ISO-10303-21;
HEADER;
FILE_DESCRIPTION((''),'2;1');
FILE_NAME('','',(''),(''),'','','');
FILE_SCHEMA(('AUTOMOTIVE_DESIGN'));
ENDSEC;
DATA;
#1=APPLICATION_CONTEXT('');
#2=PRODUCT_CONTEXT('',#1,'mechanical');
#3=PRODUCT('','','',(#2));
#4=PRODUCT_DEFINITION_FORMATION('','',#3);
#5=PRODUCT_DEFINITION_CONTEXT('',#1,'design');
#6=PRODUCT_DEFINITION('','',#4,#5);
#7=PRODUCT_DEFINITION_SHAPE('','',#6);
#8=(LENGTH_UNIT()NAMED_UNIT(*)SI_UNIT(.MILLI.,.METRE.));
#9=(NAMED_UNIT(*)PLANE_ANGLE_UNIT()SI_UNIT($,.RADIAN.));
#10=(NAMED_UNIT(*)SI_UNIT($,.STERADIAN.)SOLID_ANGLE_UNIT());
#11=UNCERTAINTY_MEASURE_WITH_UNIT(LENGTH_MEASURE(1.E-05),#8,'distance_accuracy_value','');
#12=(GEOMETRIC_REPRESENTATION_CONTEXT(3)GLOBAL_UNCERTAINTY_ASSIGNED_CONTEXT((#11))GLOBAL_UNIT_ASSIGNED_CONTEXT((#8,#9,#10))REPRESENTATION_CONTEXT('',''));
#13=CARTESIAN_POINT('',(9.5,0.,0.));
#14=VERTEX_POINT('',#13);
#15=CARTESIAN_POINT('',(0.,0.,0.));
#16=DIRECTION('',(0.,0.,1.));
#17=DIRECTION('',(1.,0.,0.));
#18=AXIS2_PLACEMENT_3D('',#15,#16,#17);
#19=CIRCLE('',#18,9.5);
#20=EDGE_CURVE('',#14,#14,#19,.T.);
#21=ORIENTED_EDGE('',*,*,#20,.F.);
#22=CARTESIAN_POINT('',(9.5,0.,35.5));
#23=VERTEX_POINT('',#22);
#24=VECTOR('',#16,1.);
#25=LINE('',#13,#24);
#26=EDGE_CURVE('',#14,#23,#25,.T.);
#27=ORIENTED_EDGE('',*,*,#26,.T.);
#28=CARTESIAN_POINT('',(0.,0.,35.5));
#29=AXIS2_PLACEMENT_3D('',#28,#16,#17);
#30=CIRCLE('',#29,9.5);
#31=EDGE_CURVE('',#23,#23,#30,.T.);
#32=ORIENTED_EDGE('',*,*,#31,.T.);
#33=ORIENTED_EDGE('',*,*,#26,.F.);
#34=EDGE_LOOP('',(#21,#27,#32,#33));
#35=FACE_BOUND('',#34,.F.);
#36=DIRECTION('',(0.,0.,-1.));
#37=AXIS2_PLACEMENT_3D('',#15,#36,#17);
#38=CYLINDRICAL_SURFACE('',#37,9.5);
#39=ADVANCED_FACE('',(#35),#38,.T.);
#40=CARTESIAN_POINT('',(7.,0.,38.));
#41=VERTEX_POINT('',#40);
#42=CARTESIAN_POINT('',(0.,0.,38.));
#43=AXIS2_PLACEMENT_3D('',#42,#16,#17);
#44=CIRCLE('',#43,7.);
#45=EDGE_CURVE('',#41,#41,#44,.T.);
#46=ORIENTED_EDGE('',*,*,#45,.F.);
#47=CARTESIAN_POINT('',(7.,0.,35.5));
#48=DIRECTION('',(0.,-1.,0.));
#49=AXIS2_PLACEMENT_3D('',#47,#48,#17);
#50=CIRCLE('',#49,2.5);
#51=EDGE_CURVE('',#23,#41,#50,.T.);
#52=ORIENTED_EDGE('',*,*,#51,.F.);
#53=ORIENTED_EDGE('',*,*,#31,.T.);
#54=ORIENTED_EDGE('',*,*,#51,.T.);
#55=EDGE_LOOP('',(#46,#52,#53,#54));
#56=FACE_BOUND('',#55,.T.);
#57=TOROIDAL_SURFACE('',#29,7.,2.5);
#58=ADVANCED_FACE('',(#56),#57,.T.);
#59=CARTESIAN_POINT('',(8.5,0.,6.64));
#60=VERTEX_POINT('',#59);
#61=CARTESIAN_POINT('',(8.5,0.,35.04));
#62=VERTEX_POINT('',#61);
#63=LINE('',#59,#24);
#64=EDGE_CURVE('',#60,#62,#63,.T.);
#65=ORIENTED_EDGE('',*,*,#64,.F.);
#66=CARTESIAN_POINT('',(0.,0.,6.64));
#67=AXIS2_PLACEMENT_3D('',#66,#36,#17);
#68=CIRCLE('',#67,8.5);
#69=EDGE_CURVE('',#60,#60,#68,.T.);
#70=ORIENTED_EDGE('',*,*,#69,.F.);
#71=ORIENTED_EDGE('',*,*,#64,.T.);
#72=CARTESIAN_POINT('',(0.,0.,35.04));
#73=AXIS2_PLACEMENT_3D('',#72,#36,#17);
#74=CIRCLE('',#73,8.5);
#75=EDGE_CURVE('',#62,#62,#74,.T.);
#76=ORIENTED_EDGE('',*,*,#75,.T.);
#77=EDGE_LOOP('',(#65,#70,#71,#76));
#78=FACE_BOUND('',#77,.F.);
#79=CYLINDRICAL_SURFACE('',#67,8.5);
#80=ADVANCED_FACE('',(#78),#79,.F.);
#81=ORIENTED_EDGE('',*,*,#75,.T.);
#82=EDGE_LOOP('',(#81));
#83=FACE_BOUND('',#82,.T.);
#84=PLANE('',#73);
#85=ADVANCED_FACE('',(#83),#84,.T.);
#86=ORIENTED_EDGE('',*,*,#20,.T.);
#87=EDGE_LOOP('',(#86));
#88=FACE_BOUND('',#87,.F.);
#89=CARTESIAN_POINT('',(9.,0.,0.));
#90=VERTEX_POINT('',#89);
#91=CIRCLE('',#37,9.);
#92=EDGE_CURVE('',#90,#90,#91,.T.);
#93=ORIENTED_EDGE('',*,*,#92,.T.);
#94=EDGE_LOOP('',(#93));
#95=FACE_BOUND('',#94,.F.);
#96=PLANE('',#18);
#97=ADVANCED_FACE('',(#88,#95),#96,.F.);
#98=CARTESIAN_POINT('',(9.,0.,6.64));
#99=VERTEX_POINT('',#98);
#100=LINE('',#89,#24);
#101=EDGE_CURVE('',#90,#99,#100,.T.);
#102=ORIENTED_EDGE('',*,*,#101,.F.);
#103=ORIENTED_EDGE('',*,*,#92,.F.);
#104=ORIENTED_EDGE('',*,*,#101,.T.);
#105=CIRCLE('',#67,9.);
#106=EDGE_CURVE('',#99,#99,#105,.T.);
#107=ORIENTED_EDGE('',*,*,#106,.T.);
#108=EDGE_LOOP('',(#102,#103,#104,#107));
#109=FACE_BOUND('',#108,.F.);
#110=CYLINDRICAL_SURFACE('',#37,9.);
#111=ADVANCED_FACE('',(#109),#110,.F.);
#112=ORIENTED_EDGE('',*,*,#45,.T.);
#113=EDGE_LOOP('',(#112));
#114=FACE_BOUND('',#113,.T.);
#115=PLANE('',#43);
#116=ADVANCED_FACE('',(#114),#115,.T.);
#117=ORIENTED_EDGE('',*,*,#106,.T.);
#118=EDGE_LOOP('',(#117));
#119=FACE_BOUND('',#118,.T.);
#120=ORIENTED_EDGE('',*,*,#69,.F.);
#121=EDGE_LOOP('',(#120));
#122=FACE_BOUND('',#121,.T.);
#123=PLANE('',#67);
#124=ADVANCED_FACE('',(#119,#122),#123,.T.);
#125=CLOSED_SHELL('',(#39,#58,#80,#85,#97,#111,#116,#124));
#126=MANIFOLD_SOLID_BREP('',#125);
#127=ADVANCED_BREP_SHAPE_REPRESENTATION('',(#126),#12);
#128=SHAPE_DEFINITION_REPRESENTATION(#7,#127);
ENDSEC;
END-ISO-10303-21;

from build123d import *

# Parameters (mm, degrees)
F0_R     = 9.5
F1_DEPTH = 38
F2_R     = 2.5
F3_R     = 9
F4_DEPTH = 6.64
F5_R     = 8.5
F6_DEPTH = 28.4


with BuildPart() as f1:
    # F0 (on Top) → F1 (new body)
    with BuildSketch(Plane.XY):
        Circle(F0_R)
    extrude(amount=F1_DEPTH)

    # F2
    f2_edges = [f1.edges().sort_by_distance(p)[0] for p in [
        (-9.5, 0, 38),
    ]]
    fillet(f2_edges, radius=F2_R)

    # F3 (on face) → F4 (cut)
    with BuildSketch(Plane(origin=(0, 0, 0), x_dir=(1, 0, 0), z_dir=(0, 0, -1))):
        Circle(F3_R)
    extrude(amount=-F4_DEPTH, mode=Mode.SUBTRACT)

    # F5 (on face) → F6 (cut)
    with BuildSketch(Plane(origin=(0, 0, 6.64), x_dir=(1, 0, 0), z_dir=(0, 0, -1))):
        Circle(F5_R)
    extrude(amount=-F6_DEPTH, mode=Mode.SUBTRACT)


solid = f1.part
